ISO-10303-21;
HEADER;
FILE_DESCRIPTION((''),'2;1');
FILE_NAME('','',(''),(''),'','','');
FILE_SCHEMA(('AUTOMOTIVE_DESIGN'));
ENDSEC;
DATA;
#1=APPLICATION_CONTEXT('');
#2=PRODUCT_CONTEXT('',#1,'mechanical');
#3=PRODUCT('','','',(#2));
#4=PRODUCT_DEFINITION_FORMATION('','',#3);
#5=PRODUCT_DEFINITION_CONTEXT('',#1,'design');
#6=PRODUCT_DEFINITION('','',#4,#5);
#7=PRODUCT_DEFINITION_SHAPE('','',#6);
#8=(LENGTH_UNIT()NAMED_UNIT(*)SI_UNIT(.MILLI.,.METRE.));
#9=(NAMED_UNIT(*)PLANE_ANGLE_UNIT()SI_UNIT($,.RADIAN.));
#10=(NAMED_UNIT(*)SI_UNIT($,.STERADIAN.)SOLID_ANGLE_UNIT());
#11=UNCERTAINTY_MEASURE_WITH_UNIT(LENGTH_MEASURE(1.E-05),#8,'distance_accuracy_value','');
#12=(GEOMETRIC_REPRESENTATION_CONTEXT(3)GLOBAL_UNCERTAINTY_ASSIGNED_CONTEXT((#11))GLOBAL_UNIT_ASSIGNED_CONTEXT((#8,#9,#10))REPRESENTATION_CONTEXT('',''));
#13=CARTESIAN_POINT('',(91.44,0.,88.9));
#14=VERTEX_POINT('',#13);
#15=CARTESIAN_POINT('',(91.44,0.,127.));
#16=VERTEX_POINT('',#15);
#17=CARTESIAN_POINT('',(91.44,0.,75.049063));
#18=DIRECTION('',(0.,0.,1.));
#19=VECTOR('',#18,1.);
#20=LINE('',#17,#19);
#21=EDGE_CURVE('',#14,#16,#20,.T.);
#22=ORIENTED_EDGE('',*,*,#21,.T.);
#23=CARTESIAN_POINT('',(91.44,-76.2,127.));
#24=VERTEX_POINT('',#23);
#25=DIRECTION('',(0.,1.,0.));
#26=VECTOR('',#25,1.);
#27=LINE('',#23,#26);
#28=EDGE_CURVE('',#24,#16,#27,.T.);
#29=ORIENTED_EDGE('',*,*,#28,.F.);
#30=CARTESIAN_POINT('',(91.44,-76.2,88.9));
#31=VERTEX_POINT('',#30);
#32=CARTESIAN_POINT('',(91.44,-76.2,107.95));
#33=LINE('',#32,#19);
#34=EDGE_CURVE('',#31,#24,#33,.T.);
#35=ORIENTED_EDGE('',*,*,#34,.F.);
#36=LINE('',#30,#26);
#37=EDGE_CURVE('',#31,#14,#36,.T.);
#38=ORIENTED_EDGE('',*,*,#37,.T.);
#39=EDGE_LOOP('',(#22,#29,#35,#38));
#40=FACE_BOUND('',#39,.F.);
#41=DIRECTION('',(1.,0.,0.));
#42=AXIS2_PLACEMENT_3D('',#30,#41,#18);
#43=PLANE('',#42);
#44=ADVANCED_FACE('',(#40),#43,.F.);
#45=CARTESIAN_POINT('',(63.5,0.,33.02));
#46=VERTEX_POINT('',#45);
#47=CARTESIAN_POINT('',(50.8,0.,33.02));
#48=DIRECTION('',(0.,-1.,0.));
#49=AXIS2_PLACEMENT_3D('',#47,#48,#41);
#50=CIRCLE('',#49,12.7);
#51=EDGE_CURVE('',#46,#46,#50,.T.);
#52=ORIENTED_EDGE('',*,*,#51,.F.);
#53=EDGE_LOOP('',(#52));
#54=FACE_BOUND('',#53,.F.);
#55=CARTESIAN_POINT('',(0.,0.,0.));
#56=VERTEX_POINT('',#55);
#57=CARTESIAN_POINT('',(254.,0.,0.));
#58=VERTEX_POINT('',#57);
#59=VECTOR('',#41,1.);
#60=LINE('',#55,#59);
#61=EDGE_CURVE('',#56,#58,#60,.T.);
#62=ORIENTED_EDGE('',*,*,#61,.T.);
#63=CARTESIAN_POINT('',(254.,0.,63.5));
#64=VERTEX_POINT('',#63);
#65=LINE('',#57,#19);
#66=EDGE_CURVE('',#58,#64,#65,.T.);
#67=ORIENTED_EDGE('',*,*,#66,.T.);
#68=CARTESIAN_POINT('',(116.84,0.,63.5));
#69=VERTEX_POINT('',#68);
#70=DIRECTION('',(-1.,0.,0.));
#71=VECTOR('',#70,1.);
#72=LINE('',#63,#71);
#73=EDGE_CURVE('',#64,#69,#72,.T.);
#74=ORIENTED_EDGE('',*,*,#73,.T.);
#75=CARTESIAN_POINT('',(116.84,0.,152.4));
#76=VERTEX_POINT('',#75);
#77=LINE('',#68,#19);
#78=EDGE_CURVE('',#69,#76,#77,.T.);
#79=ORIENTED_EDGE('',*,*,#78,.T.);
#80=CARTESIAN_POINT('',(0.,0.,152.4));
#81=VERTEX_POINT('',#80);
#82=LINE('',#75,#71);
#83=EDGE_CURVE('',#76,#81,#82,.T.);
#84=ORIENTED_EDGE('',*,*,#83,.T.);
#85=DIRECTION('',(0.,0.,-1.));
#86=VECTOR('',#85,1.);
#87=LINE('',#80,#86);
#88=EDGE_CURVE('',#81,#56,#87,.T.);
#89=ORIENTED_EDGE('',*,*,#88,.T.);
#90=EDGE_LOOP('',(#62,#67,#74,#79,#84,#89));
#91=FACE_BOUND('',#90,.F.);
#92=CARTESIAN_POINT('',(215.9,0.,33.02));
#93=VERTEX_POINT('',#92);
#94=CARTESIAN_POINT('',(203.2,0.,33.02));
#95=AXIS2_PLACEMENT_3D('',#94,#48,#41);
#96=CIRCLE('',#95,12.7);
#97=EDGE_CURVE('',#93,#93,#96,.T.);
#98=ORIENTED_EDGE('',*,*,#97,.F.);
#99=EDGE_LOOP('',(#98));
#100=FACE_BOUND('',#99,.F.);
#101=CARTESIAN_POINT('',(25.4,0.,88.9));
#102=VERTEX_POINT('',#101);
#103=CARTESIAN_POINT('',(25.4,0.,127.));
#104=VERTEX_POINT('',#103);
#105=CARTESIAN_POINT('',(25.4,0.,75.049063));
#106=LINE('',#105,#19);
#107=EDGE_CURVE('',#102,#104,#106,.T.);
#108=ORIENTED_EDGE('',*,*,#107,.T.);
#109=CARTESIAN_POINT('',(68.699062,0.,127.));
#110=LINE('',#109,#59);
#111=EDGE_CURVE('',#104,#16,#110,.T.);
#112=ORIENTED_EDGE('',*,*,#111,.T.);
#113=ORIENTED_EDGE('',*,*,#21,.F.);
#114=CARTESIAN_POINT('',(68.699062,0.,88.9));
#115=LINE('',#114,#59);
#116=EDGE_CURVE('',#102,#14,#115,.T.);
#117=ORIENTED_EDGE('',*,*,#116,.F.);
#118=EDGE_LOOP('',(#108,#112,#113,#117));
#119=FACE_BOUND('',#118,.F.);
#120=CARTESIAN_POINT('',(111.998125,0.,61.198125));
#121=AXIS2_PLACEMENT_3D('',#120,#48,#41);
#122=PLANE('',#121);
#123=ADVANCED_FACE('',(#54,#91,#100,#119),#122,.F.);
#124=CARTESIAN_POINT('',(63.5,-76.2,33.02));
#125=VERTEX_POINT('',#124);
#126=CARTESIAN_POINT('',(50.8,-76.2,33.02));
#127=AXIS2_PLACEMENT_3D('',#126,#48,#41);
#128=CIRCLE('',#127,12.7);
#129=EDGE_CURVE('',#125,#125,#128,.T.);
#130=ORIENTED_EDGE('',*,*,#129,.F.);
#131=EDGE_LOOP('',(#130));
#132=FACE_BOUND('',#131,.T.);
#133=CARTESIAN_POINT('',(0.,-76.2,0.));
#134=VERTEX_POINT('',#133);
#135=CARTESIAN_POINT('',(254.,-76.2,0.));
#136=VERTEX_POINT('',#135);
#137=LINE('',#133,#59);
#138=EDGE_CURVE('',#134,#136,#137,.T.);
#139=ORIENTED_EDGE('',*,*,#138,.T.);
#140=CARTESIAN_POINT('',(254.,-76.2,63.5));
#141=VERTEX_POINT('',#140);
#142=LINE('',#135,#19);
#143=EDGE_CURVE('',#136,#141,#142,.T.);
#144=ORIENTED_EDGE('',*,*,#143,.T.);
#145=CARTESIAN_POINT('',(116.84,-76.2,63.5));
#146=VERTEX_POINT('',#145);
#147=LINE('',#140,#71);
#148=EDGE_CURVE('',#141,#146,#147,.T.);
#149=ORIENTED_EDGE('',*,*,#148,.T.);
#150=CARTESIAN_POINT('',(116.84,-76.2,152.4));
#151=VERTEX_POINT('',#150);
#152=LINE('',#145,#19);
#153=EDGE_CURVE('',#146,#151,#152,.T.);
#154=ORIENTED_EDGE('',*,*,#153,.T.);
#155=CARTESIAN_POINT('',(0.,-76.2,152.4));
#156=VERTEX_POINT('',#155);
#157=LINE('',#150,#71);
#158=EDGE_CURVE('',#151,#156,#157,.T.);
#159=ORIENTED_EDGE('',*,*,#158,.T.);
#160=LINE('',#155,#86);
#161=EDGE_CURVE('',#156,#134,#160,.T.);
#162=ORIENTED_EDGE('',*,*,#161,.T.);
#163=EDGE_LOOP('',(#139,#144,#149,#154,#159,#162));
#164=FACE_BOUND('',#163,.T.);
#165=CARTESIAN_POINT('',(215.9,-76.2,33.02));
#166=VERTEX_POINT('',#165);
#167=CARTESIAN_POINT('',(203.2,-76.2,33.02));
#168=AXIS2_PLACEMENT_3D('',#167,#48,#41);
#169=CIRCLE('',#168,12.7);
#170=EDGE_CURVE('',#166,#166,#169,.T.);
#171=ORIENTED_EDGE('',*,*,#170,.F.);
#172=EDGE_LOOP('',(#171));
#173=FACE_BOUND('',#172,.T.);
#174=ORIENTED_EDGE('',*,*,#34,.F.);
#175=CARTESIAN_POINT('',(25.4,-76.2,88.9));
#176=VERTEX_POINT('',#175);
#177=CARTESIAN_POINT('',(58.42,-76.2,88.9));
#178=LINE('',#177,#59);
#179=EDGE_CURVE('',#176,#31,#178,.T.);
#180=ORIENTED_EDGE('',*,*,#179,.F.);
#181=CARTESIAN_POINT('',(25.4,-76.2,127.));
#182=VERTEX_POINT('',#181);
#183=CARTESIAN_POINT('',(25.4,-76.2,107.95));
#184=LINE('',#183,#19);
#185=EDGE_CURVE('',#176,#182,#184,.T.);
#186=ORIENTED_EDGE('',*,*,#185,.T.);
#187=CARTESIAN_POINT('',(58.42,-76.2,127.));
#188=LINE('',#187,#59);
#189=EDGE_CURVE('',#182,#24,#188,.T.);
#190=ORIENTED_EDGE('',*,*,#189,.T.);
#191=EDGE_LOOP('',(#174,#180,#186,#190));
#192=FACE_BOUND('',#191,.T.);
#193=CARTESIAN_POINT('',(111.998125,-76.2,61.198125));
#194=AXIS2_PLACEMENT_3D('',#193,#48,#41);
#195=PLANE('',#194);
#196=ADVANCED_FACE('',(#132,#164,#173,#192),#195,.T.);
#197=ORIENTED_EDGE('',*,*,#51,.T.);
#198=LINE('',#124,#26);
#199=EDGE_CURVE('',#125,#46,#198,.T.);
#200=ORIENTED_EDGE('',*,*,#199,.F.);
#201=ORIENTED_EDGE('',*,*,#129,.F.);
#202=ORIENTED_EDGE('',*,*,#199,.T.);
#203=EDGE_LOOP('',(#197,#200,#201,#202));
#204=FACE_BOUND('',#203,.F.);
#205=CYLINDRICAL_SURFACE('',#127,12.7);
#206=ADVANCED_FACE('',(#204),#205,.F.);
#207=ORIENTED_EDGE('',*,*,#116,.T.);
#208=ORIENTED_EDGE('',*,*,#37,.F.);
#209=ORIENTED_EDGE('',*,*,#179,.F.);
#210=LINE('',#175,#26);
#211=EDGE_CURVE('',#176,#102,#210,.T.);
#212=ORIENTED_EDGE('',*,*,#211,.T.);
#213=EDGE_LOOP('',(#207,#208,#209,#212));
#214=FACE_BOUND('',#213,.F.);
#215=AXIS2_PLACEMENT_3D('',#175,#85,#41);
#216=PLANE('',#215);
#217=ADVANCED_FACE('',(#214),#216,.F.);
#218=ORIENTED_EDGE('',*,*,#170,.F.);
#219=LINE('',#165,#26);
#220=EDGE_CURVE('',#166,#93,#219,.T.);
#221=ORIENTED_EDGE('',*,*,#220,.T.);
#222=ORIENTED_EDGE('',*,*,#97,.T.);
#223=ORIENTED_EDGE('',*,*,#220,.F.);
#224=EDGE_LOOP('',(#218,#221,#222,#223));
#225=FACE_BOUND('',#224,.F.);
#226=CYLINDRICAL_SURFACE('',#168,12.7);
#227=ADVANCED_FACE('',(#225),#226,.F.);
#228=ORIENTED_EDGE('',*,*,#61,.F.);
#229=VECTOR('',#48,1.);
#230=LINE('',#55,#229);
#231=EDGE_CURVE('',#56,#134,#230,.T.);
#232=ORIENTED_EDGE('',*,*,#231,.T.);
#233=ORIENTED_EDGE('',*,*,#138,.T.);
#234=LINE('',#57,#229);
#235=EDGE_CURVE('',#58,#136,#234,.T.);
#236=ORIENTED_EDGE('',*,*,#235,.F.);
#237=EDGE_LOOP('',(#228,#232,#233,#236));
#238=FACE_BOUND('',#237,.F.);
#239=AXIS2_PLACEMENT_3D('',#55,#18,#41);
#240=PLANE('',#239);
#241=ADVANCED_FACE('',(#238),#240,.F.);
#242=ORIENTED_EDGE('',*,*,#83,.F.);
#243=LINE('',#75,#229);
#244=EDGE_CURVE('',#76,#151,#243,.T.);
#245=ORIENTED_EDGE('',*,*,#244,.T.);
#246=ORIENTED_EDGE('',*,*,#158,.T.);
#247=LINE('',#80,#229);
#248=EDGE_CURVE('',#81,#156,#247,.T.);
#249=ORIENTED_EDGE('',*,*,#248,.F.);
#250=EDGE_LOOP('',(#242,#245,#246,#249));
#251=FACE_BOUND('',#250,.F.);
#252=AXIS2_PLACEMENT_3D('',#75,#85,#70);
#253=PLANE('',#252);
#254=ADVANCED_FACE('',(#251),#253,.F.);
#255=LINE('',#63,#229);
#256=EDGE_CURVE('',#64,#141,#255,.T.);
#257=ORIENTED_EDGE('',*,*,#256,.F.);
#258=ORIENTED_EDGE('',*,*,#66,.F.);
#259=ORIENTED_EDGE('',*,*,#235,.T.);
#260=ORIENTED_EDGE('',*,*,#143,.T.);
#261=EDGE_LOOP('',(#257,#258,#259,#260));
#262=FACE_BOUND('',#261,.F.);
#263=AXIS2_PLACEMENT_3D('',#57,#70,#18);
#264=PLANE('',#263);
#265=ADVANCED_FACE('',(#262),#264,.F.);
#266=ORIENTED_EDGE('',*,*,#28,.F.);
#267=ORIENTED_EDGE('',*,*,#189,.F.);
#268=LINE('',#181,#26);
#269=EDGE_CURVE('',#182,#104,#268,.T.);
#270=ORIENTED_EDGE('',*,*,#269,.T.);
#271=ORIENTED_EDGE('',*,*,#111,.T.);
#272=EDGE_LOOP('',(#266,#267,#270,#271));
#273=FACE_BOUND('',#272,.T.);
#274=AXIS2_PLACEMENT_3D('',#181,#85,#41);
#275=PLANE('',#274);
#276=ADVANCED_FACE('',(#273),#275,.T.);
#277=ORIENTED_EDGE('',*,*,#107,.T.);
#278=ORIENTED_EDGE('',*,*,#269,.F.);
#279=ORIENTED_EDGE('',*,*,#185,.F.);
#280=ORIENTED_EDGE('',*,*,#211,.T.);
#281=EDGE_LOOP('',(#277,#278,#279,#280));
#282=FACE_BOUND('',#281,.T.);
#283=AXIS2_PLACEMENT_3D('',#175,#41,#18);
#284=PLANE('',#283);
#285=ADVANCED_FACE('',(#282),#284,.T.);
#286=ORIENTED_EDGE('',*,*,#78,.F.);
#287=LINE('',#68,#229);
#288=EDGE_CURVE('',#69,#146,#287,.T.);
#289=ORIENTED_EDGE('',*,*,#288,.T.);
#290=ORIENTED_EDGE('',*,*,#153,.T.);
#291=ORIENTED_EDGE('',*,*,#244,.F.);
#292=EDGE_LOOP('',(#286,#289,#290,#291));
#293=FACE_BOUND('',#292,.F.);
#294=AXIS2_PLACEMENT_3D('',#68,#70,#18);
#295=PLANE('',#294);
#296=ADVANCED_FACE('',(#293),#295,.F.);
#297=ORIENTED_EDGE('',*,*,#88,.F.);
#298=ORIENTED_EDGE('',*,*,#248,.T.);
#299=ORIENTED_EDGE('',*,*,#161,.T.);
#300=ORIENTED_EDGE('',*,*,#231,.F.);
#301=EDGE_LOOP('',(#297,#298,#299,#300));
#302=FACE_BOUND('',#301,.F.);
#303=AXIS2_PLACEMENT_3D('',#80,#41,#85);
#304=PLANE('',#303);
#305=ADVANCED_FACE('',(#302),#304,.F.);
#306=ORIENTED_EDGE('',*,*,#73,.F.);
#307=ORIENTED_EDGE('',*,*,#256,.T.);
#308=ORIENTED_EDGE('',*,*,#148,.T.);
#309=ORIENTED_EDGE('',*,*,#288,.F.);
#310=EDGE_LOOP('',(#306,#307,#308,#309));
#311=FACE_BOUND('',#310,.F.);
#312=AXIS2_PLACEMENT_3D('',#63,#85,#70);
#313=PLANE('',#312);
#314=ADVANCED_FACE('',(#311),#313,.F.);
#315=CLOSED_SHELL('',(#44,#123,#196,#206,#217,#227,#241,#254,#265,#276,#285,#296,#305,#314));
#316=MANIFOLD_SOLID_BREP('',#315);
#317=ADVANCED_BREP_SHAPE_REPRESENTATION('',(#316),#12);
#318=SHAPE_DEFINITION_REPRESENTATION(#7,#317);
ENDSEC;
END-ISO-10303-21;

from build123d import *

# Parameters (mm, degrees)
F1_DEPTH = 76.2
F2_W     = 66.04
F2_H     = 38.1
F3_DEPTH = 787.4
F4_R     = 12.7
F5_DEPTH = 78.74


with BuildPart() as f1:
    # F0 (on Front) → F1 (new body)
    with BuildSketch(Plane.XZ):
        Polygon((116.84, 152.4), (0, 152.4), (0, 0), (254, 0), (254, 63.5), (116.84, 63.5), align=None)
    extrude(amount=F1_DEPTH)

    # F2 (on face) → F3 (cut)
    with BuildSketch(Plane.XZ.offset(76.2)):
        with Locations((58.42, 107.95)):
            Rectangle(F2_W, F2_H)
    extrude(amount=-F3_DEPTH, mode=Mode.SUBTRACT)

    # F4 (on face) → F5 (cut)
    with BuildSketch(Plane.XZ.offset(76.2)):
        with Locations((50.8, 33.02)):
            Circle(F4_R)
        with Locations((203.2, 33.02)):
            Circle(F4_R)
    extrude(amount=-F5_DEPTH, mode=Mode.SUBTRACT)


solid = f1.part
